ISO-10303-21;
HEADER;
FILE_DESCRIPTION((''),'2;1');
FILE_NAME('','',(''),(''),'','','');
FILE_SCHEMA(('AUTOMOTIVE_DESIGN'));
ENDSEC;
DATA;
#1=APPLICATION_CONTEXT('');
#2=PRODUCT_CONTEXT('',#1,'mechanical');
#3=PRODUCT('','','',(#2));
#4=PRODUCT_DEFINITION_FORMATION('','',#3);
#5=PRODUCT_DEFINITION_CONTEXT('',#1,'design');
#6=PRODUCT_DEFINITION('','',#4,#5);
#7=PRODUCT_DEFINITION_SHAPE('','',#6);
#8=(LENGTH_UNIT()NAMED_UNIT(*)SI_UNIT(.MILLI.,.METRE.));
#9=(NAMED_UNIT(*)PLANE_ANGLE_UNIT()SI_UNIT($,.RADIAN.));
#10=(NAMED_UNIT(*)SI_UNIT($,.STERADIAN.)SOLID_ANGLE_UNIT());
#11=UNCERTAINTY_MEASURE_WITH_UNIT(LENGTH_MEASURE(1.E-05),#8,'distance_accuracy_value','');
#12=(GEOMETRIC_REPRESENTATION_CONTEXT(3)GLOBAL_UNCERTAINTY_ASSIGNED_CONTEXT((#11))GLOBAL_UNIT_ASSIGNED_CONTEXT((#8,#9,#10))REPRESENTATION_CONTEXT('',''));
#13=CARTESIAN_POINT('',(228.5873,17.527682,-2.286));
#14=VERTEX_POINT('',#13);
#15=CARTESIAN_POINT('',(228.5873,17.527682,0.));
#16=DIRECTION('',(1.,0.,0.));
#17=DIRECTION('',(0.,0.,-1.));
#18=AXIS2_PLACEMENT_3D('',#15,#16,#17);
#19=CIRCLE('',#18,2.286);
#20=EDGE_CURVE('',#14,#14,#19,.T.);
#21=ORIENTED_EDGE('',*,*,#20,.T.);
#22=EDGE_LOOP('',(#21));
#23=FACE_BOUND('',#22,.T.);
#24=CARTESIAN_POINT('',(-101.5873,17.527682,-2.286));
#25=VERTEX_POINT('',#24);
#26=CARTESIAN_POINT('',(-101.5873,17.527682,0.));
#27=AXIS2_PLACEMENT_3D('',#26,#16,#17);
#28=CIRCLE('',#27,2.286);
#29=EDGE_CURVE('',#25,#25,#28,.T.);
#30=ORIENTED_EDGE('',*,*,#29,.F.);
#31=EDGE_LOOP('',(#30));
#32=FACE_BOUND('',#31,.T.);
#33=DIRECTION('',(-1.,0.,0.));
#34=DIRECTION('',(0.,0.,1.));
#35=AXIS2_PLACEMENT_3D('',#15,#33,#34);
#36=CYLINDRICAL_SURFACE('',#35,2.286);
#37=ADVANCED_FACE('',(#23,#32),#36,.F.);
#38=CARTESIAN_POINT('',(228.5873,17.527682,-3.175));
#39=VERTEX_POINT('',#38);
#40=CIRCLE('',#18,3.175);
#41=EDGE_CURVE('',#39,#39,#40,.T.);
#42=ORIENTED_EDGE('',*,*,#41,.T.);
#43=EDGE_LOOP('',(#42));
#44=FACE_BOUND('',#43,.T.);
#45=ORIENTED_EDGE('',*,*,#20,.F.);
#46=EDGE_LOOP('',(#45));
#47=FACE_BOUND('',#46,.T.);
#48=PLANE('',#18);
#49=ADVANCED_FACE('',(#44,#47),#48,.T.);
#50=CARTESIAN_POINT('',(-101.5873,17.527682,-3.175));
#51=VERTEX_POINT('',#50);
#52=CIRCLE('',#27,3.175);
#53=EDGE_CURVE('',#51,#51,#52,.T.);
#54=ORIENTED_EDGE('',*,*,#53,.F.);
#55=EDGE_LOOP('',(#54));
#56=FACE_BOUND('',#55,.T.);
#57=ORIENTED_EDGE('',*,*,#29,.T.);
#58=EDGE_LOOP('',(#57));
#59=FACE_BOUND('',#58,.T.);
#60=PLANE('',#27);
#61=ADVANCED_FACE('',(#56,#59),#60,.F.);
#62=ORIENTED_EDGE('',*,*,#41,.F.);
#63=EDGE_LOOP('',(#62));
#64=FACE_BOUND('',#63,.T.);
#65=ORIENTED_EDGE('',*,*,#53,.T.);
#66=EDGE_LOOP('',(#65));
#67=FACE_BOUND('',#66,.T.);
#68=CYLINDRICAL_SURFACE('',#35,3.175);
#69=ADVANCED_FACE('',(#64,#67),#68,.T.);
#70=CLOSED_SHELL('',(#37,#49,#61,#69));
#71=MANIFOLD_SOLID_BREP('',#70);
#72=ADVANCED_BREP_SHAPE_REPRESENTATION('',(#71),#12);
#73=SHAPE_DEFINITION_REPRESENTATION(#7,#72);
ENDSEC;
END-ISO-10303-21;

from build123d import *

# Parameters (mm, degrees)
SKETCH2_R           = 3.175
SKETCH2_R_2         = 2.286
BOSS_EXTRUDE1_DEPTH = 165.0873


with BuildPart() as part:
    # Sketch2 → Boss-Extrude1 (new body, symmetric)
    with BuildSketch(Plane(origin=(63.5, 17.527682119, 0), x_dir=(0, 0, -1), z_dir=(1, 0, 0))):
        Circle(SKETCH2_R)
        Circle(SKETCH2_R_2, mode=Mode.SUBTRACT)
    extrude(amount=BOSS_EXTRUDE1_DEPTH, both=True)


solid = part.part
